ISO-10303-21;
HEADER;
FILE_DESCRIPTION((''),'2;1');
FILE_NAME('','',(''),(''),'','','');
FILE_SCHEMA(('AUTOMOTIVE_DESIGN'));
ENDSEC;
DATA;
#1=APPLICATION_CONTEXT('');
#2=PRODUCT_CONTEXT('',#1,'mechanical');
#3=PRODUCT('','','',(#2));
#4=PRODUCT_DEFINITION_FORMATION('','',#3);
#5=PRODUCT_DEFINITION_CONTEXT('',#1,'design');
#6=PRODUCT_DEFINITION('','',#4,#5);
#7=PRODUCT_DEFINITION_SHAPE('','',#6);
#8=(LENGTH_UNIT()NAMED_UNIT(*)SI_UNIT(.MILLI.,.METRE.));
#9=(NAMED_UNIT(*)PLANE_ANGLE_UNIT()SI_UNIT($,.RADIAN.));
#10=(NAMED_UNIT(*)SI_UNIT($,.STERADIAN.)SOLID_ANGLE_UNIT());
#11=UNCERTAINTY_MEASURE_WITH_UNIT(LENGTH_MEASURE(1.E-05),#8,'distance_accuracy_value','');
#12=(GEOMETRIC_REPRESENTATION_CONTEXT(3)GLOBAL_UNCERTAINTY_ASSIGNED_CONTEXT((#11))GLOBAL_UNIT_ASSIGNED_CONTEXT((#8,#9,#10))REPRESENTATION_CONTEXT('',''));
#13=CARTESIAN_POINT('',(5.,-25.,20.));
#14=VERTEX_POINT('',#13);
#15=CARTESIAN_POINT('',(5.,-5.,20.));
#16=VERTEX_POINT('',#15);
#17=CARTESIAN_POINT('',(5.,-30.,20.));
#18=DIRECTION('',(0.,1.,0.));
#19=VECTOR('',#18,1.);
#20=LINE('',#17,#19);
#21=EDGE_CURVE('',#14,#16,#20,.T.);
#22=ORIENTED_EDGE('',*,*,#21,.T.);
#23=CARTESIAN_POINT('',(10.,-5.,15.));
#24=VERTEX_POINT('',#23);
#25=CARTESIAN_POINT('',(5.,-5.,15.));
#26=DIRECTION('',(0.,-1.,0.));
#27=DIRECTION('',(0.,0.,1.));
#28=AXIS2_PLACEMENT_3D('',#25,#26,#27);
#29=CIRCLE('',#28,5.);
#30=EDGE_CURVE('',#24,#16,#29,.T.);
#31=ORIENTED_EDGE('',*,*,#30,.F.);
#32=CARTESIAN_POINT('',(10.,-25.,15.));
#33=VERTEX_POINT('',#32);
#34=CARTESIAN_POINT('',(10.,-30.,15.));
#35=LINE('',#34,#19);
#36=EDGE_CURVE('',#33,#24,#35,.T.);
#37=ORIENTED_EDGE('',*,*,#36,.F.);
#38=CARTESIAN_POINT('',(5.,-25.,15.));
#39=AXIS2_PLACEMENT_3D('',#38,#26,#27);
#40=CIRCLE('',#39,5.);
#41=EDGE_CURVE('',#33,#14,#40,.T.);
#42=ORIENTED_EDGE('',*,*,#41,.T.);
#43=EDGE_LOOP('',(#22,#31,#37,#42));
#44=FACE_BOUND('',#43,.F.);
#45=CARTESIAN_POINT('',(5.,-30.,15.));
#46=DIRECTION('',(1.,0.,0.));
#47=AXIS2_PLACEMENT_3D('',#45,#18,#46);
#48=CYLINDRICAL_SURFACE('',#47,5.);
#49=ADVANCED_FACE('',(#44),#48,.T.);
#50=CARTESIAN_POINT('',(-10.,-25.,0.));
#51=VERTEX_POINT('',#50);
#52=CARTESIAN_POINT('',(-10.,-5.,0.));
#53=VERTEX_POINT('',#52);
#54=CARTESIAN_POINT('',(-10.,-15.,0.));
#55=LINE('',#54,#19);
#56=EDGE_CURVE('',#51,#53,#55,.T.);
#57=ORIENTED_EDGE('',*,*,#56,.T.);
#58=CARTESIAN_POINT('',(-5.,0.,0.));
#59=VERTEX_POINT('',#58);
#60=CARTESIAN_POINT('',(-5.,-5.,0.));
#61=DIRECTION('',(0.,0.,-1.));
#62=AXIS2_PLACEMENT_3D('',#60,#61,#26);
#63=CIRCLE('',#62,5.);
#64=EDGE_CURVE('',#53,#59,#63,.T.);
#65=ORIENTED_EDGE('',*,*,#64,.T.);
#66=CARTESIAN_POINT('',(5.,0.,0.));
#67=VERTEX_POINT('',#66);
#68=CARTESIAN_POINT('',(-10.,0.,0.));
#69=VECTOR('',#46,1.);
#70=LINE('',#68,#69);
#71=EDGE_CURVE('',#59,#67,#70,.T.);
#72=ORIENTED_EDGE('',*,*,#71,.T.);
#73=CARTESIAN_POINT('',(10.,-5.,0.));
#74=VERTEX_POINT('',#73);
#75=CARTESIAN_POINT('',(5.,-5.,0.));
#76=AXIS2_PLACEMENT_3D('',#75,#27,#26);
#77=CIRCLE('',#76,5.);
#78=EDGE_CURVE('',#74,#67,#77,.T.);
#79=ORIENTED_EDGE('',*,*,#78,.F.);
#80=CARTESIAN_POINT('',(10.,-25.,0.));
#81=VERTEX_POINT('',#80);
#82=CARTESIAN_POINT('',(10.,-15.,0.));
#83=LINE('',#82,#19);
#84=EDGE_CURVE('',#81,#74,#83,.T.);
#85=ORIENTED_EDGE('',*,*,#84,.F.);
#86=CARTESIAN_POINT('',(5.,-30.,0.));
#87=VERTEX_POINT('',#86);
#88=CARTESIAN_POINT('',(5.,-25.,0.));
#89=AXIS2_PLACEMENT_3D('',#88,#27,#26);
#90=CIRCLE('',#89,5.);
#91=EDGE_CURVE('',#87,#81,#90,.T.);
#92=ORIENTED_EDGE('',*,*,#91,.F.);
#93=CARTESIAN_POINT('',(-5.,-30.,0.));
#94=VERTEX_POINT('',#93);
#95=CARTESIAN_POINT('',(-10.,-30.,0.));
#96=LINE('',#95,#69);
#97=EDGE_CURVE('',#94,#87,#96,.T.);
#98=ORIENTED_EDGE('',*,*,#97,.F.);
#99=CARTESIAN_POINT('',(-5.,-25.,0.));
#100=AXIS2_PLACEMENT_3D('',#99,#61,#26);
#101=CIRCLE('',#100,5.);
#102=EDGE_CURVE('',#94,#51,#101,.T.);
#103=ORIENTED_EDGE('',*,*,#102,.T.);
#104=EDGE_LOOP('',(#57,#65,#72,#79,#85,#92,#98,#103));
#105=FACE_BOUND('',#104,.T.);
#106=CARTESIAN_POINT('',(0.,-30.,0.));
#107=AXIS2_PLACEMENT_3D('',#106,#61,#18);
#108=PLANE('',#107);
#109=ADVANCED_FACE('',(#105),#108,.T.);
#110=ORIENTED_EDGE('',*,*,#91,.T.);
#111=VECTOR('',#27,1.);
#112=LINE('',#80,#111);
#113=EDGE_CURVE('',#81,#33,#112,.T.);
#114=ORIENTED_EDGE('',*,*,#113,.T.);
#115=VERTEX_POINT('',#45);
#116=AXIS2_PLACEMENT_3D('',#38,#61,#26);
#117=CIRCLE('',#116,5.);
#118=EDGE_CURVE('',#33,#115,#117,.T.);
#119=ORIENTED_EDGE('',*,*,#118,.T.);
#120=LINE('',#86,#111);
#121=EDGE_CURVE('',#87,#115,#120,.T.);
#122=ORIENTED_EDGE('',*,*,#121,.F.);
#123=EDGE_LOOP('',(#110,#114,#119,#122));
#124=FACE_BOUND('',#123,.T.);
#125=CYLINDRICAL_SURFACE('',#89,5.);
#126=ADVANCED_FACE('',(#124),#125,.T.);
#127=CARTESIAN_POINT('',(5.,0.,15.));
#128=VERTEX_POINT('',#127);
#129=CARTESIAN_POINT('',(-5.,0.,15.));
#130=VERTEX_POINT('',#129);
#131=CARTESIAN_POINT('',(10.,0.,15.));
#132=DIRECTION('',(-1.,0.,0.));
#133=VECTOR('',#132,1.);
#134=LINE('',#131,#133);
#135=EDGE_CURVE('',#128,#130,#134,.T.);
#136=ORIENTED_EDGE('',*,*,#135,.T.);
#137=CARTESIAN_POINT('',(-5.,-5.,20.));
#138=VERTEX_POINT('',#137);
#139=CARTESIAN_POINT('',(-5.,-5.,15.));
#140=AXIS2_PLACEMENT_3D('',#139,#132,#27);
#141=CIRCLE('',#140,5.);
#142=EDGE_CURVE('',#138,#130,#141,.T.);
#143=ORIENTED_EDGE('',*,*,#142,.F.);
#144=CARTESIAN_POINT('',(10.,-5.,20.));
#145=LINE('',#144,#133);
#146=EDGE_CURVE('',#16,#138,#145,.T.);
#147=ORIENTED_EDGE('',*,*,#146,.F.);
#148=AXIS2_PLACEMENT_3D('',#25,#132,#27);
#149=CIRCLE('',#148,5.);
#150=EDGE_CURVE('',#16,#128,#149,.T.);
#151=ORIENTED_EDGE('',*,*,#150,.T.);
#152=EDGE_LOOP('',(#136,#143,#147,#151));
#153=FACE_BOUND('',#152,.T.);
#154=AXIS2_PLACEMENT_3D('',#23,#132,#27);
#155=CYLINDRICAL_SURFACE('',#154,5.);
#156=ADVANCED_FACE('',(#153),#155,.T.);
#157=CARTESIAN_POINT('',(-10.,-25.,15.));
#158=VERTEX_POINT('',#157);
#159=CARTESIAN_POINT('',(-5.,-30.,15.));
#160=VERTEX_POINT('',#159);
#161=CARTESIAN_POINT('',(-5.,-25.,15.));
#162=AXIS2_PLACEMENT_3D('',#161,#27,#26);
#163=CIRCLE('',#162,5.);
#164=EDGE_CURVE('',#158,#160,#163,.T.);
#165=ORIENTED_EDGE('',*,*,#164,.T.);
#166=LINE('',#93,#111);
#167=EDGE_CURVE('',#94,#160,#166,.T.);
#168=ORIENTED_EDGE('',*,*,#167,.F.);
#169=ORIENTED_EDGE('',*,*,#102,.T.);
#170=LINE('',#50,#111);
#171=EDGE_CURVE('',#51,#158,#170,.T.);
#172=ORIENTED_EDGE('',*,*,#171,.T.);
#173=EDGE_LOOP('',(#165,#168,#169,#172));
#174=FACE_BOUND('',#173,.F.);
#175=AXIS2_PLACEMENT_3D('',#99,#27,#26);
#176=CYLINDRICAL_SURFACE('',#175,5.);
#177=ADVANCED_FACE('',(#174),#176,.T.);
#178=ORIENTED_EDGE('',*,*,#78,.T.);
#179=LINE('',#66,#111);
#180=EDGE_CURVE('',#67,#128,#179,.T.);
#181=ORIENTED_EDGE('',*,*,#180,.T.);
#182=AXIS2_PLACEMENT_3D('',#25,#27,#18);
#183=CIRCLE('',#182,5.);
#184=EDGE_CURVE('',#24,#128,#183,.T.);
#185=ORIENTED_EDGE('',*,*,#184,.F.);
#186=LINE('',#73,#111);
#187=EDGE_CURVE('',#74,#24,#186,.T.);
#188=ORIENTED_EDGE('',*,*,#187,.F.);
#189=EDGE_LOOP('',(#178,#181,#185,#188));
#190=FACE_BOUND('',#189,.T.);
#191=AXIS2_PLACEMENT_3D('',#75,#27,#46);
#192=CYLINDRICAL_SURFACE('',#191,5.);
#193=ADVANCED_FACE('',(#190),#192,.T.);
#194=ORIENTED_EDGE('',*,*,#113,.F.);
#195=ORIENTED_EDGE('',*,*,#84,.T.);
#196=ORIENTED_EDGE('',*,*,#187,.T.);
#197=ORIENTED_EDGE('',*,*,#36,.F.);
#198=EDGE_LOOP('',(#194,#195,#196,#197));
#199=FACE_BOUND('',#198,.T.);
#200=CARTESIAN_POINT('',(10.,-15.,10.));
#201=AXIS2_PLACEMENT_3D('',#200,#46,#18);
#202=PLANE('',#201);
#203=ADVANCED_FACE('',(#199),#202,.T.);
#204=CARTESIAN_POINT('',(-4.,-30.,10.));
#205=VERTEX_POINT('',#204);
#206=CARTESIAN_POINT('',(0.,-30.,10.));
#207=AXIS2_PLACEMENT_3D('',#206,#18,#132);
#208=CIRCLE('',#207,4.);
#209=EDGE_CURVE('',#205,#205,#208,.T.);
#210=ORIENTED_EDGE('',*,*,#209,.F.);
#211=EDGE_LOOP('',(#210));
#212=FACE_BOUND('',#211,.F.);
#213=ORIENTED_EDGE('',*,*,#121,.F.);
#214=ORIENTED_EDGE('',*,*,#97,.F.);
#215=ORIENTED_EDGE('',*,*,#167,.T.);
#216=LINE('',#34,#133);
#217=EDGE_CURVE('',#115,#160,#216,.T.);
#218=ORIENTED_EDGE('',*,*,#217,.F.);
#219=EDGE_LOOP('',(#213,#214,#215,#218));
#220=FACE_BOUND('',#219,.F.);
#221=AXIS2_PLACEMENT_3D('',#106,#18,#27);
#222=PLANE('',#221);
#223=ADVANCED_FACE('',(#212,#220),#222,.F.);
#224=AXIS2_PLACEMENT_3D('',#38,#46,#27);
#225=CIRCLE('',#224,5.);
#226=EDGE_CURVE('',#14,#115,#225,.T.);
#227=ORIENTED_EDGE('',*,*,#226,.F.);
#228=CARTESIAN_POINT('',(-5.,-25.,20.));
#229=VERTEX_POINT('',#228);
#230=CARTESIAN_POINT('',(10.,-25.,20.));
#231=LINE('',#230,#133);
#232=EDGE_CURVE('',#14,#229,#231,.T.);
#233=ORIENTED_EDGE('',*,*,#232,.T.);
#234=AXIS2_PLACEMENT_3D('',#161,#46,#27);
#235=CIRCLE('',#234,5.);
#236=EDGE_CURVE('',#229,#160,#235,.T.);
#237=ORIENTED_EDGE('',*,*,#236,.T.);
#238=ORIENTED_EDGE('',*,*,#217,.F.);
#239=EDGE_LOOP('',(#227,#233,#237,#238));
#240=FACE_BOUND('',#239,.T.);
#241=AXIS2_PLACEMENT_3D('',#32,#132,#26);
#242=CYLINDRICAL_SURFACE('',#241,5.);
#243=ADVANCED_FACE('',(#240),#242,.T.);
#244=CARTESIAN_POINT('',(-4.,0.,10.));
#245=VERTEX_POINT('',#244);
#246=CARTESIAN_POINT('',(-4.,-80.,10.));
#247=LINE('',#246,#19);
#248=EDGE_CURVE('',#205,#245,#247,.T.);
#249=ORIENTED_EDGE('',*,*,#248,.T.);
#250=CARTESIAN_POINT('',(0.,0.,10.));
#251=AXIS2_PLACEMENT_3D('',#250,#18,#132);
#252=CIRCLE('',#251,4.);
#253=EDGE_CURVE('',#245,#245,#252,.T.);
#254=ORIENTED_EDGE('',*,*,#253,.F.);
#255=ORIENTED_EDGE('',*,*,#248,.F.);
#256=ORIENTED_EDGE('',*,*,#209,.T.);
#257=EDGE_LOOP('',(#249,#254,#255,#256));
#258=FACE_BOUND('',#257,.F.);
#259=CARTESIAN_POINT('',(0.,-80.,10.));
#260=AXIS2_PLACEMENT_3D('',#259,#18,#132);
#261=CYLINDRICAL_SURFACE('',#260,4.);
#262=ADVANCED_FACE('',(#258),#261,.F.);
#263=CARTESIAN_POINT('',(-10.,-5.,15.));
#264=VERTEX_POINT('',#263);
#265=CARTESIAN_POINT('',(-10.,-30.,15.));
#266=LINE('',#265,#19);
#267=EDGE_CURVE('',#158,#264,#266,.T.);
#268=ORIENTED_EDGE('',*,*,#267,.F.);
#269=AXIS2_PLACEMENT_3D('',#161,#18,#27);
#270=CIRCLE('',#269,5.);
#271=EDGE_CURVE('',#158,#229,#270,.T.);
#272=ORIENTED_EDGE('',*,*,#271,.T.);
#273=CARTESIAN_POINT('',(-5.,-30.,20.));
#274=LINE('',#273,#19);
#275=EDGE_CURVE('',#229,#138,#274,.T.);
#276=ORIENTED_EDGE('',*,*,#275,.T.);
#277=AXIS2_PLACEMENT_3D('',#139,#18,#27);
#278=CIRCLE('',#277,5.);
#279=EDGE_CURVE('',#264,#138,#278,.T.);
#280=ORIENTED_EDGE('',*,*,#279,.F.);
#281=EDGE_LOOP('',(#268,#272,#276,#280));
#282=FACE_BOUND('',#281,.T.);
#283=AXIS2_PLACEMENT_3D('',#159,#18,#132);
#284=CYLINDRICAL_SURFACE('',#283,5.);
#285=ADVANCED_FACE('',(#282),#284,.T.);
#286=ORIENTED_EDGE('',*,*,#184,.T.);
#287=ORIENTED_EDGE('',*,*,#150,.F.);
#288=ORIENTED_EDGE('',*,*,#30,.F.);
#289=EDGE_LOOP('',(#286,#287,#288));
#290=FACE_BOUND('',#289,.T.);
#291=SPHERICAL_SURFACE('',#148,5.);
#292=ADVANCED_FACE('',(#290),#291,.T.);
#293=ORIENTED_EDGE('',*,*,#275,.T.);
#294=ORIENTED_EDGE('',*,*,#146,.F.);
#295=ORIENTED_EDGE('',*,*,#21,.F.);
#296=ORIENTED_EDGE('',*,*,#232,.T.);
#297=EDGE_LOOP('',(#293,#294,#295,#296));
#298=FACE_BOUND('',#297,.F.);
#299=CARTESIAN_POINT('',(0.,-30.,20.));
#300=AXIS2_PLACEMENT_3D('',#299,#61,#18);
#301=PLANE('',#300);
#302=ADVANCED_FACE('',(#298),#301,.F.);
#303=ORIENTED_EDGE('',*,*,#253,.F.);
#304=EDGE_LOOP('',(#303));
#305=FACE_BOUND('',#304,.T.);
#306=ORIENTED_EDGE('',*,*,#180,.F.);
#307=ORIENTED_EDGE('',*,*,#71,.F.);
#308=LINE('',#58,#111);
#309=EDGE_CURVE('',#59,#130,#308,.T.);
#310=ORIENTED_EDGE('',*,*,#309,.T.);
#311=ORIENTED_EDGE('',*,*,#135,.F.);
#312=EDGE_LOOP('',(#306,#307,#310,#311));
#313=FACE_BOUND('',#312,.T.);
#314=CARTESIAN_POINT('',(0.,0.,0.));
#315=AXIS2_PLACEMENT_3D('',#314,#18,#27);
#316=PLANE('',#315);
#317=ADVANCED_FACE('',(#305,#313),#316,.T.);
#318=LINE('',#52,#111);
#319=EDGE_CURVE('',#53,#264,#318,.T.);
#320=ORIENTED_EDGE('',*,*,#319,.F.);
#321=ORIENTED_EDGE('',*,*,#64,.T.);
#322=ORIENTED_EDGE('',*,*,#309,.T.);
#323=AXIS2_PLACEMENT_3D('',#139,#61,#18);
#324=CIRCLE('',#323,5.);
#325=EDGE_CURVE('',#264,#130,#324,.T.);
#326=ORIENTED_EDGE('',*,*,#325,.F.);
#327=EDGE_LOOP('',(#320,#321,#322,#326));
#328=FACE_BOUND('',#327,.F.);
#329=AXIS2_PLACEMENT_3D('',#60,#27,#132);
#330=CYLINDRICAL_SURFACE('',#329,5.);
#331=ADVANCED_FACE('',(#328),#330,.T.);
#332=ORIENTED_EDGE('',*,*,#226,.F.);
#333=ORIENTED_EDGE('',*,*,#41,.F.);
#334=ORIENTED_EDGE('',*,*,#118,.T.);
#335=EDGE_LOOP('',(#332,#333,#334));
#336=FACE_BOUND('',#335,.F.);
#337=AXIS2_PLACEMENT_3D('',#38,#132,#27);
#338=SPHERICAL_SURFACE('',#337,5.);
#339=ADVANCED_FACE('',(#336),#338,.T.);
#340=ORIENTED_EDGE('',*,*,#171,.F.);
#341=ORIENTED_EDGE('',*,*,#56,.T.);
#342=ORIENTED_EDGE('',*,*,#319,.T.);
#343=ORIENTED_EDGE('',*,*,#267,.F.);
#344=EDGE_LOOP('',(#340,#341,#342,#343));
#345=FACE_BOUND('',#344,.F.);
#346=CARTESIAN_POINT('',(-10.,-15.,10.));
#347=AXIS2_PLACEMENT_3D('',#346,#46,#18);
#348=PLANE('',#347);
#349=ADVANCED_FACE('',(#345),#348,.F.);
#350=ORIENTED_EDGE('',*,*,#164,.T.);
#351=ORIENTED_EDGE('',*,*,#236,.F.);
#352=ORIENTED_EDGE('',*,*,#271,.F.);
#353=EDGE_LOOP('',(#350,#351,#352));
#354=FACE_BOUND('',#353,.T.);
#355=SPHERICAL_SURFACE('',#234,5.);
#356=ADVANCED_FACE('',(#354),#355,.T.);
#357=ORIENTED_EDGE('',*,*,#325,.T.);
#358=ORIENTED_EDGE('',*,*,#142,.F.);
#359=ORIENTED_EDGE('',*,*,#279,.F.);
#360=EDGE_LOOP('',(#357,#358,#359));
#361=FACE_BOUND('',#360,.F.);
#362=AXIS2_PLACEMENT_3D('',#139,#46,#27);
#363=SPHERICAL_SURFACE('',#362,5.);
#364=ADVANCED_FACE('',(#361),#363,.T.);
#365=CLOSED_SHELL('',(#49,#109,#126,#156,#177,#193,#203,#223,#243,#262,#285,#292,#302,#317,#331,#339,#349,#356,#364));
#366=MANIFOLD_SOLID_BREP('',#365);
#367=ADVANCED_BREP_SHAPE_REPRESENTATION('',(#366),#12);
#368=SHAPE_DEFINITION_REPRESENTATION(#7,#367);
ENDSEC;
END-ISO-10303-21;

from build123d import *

# Parameters (mm, degrees)
F0_W     = 30
F0_H     = 20
F1_DEPTH = 10
F3_D     = 8
F3_DEPTH = 50
F4_R     = 5


with BuildPart() as f1:
    # F0 (on Right) → F1 (new body, symmetric)
    with BuildSketch(Plane.YZ):
        with Locations((-15, 10)):
            Rectangle(F0_W, F0_H)
    extrude(amount=F1_DEPTH, both=True)

    # F3
    with Locations(Plane.XZ.offset(30)):
        with Locations((0, 10)):
            Hole(F3_D / 2, depth=F3_DEPTH)

    # F4
    f4_edges = [f1.edges().sort_by_distance(p)[0] for p in [
        (0, 0, 20),
        (0, -30, 20),
        (-10, -15, 20),
        (10, -15, 20),
        (10, -30, 10),
        (-10, -30, 10),
        (10, 0, 10),
        (-10, 0, 10),
    ]]
    fillet(f4_edges, radius=F4_R)


solid = f1.part
